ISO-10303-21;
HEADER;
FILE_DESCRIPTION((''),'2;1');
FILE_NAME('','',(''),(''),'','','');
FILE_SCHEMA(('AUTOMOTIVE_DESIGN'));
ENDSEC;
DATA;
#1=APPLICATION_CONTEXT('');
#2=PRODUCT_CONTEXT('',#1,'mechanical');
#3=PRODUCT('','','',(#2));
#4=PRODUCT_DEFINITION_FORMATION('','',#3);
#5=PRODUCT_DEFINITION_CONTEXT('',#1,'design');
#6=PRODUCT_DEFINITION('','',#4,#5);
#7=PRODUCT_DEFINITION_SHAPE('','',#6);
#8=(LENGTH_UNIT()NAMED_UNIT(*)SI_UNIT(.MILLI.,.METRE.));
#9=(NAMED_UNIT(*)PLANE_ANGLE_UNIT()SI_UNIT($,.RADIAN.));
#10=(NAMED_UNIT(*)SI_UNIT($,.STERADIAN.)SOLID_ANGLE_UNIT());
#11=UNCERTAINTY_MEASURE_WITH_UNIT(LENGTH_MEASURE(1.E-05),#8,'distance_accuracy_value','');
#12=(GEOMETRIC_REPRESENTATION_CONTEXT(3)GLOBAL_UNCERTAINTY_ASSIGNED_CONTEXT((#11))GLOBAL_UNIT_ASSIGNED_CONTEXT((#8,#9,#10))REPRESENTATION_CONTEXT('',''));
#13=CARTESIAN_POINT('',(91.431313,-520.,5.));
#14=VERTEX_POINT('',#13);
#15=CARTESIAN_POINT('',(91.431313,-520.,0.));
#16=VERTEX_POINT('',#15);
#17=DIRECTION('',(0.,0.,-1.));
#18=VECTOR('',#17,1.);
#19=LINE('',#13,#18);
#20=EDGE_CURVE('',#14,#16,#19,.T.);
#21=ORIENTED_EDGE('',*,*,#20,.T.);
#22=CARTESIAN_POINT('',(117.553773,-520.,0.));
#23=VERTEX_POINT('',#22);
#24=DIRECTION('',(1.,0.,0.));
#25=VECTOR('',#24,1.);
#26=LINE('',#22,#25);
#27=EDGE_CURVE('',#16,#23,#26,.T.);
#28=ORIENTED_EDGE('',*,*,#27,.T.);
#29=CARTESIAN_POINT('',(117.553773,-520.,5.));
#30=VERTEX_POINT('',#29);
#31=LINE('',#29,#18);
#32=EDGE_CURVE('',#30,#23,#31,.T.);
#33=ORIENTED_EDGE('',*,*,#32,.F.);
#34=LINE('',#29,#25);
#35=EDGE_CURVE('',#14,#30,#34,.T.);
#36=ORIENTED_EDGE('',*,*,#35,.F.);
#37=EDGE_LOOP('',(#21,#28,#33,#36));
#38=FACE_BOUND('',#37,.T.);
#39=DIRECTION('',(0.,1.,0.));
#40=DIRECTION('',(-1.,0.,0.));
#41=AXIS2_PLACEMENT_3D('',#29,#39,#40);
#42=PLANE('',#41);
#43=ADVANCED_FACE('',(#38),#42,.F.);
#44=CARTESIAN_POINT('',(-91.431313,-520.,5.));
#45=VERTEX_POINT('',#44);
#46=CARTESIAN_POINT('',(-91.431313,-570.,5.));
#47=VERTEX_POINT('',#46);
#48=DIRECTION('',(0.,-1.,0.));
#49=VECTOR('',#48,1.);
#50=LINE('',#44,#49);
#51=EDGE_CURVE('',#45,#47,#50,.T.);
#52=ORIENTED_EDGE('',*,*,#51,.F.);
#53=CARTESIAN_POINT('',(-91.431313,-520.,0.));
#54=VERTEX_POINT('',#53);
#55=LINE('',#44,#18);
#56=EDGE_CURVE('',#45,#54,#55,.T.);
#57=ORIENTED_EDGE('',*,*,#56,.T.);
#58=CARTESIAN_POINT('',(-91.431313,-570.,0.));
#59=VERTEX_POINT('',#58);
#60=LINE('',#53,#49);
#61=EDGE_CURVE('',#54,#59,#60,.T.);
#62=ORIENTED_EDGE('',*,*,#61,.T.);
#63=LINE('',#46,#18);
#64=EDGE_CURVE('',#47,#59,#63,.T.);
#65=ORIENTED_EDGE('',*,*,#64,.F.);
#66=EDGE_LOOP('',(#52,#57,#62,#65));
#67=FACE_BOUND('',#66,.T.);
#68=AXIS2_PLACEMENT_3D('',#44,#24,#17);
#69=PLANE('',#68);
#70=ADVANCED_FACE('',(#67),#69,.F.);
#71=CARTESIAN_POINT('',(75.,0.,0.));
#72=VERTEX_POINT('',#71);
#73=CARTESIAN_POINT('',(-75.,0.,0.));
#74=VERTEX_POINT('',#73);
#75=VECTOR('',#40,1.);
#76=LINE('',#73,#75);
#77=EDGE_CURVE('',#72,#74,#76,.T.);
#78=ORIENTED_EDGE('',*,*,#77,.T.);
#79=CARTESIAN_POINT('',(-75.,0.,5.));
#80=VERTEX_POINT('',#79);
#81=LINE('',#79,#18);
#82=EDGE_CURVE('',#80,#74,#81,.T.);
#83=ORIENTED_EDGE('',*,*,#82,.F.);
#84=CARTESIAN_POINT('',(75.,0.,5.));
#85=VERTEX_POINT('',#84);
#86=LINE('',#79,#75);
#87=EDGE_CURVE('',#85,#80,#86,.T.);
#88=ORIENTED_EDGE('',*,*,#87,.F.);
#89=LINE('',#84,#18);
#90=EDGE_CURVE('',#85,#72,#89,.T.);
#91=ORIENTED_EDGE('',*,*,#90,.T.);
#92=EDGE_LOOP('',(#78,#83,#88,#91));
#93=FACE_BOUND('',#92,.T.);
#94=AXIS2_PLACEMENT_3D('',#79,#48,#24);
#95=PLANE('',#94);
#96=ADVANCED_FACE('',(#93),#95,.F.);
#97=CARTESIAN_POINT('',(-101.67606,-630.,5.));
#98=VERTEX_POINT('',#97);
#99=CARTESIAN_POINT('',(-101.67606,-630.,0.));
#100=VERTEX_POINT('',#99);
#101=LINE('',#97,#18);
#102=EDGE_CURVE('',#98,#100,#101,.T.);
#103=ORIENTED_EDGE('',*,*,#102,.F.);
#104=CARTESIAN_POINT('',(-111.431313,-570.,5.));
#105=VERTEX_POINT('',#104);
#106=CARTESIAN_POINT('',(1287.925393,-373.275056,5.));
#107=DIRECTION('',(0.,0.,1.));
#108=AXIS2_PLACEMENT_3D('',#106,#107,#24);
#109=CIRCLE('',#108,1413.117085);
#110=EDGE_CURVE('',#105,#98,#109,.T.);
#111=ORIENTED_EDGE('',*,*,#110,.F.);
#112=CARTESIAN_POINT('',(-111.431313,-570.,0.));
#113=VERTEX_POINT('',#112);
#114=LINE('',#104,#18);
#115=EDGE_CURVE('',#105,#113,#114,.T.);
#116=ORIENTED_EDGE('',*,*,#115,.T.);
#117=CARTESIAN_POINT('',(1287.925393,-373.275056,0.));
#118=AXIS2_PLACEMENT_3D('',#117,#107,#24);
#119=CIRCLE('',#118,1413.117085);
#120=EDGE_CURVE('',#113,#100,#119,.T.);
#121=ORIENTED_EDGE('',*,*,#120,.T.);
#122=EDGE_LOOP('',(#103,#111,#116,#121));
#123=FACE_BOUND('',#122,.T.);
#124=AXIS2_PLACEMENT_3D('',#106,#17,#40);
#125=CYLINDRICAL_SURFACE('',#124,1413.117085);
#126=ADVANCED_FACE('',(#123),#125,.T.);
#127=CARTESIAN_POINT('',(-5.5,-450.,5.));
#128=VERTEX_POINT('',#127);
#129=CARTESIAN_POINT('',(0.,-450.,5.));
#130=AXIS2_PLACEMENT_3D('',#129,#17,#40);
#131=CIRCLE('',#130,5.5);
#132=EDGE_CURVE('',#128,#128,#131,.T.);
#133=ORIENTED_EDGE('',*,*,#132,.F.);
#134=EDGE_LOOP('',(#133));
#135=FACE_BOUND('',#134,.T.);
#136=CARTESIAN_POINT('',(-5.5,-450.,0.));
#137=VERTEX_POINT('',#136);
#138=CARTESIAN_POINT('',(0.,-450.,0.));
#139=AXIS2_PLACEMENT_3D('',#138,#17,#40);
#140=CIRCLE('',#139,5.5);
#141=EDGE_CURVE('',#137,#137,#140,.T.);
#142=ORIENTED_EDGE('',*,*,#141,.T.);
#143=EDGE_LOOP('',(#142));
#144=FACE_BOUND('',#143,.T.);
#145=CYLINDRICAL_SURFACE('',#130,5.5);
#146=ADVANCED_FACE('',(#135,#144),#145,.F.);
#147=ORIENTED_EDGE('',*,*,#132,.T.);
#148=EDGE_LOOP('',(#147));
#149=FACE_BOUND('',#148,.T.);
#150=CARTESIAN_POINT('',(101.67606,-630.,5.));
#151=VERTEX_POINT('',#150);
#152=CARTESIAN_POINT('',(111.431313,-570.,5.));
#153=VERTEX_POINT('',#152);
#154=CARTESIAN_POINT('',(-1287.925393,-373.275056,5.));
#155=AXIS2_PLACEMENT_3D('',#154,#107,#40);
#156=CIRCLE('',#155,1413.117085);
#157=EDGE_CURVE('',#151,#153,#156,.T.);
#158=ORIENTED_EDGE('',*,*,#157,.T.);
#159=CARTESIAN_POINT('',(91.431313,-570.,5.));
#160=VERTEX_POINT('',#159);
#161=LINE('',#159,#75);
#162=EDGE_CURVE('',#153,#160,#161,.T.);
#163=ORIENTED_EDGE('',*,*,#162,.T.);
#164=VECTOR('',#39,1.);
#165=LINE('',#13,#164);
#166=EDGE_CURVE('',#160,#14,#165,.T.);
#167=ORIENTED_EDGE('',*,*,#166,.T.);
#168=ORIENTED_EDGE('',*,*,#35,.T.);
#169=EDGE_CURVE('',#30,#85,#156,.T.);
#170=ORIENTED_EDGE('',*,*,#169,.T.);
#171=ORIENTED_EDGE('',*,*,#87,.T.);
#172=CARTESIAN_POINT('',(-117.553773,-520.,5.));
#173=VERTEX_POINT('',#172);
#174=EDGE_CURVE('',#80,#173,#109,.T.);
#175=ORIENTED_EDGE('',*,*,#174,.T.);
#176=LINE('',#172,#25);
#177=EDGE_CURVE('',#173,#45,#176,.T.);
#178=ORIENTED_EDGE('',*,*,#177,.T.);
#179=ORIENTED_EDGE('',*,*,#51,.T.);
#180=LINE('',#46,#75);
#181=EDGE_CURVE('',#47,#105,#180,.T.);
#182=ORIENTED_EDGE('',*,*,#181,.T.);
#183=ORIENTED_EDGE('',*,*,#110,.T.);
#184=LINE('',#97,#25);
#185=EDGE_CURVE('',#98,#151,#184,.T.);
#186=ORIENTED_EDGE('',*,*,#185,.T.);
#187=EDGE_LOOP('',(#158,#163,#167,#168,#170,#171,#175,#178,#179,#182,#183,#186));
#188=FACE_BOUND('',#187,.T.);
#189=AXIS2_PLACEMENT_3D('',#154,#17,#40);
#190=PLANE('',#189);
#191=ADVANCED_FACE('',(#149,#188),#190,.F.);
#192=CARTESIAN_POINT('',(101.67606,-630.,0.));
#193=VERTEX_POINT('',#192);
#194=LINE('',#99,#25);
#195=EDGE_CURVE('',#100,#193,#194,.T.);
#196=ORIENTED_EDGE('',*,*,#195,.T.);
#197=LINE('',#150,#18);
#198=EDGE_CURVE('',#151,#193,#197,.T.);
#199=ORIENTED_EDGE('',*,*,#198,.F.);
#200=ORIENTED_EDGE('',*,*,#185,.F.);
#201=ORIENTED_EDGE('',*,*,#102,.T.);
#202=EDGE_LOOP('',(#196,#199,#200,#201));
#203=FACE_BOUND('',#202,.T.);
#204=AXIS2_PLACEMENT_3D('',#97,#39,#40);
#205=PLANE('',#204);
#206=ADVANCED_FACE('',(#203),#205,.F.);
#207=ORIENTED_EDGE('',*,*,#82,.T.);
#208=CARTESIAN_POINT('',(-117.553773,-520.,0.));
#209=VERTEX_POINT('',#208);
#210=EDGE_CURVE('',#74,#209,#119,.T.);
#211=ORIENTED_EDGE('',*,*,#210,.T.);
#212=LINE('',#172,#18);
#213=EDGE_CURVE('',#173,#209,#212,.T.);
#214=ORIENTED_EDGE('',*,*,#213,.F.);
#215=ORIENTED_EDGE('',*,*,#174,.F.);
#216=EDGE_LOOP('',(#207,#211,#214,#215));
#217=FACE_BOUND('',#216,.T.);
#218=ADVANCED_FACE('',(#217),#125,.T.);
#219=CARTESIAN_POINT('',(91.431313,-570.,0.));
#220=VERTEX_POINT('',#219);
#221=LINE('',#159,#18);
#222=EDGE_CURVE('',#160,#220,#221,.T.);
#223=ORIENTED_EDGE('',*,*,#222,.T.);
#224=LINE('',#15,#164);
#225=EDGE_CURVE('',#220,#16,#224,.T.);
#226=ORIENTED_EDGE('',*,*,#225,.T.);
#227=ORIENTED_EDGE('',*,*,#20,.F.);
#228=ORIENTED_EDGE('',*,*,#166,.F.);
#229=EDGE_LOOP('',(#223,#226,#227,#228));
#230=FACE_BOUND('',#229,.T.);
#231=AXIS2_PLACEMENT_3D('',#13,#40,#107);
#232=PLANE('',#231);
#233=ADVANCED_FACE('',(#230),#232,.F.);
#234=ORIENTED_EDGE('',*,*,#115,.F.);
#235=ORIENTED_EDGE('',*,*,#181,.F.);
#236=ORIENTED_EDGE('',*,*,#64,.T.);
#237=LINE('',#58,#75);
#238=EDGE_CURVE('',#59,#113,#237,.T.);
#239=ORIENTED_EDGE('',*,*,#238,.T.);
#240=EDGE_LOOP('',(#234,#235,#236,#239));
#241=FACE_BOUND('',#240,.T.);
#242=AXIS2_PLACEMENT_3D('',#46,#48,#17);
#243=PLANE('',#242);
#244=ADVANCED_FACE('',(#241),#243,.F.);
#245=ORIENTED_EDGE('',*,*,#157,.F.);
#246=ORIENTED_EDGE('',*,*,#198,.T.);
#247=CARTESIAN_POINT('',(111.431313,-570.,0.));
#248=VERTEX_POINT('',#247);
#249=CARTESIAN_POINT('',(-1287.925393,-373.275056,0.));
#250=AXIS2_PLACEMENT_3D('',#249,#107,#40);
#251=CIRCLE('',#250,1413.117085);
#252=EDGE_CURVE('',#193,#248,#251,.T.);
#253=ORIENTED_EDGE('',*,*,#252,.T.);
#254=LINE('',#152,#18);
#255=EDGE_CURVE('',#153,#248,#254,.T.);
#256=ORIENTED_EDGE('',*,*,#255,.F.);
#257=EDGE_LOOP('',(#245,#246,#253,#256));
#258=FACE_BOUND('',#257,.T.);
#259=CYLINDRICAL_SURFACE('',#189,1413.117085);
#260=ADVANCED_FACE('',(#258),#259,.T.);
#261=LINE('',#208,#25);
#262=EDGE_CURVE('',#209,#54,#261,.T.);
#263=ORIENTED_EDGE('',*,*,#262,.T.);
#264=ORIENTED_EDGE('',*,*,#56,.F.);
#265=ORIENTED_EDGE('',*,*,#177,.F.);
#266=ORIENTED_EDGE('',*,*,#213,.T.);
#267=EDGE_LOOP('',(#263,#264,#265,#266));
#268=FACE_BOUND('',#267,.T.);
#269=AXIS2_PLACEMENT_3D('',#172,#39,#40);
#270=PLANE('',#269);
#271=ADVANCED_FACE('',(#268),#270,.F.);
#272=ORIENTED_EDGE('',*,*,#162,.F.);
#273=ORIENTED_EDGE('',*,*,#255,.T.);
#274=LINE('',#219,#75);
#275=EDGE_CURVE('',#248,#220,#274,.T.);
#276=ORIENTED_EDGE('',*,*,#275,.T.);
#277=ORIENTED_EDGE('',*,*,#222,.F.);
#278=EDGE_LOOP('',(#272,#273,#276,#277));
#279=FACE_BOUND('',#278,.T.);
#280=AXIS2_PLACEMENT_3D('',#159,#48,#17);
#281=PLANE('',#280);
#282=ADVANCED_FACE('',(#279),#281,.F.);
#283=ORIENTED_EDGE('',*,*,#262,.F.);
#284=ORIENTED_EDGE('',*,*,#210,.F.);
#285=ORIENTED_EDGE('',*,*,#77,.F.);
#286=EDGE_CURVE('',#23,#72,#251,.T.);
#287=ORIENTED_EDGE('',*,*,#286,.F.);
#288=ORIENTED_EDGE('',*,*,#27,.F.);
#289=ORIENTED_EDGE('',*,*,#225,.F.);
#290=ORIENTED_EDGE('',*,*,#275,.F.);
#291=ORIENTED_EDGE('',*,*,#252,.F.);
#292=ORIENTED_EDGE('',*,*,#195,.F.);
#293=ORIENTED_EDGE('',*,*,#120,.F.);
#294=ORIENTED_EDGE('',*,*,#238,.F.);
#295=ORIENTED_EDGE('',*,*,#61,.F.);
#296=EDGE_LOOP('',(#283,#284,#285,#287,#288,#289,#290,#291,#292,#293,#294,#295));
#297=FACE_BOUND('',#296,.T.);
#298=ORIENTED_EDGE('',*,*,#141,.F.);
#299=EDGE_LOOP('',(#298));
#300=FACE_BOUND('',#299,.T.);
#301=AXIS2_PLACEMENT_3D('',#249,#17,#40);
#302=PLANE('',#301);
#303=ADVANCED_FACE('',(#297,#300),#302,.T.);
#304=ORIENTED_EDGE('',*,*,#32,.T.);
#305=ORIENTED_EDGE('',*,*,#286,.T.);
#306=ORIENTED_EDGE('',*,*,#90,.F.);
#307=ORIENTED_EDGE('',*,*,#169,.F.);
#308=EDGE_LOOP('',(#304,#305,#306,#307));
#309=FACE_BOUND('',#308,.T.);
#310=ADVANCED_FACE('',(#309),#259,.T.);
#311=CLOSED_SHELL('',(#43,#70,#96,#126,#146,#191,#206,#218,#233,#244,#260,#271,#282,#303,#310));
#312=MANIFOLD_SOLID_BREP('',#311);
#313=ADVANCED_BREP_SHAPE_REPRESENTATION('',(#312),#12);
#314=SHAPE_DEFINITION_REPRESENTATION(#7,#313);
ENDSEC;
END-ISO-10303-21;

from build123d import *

# Parameters (mm, degrees)
BOSS_EXTRUDE1_DEPTH = 5
SKETCH3_R           = 5.5
CUT_EXTRUDE1_DEPTH  = 1008.818415992
SKETCH4_W           = 203.352119636
SKETCH4_H           = 409.958390473
CUT_EXTRUDE2_DEPTH  = 1008.818415992


with BuildPart() as part:
    # Sketch2 → Boss-Extrude1 (new body)
    with BuildSketch(Plane.XY):
        with BuildLine():
            Line((-75, 0), (75, 0))
            ThreePointArc((75, 0), (125.183748831, -378.01295639), (72.466338168, -755.680903745))
            Line((72.466338168, -755.680903745), (4.813443083, -996.353057902))
            ThreePointArc((4.813443083, -996.353057902), (3.01949586, -998.985303596), (0, -1000))
            ThreePointArc((0, -1000), (-3.01949586, -998.985303596), (-4.813443083, -996.353057902))
            Line((-4.813443083, -996.353057902), (-72.466338168, -755.680903745))
            ThreePointArc((-72.466338168, -755.680903745), (-125.183748831, -378.01295639), (-75, 0))
        make_face()
    extrude(amount=BOSS_EXTRUDE1_DEPTH)

    # Sketch3 → Cut-Extrude1 (cut, through all)
    with BuildSketch(Plane(origin=(0, 0, 0), x_dir=(-1, 0, 0), z_dir=(0, 0, -1))):
        with Locations((0, -450)):
            Circle(SKETCH3_R)
    extrude(amount=-CUT_EXTRUDE1_DEPTH, mode=Mode.SUBTRACT)

    # Sketch4 → Cut-Extrude2 (cut, through all)
    with BuildSketch(Plane(origin=(0, 0, 0), x_dir=(-1, 0, 0), z_dir=(0, 0, -1))):
        with BuildLine():
            Line((-117.553772729, -520), (-91.431313106, -520))
            Line((-91.431313106, -520), (-91.431313106, -570))
            Line((-91.431313106, -570), (-111.431313106, -570))
            ThreePointArc((-111.431313106, -570), (-125.443374502, -546.340920484), (-117.553772729, -520))
        make_face()
        with BuildLine():
            Line((117.553772729, -520), (91.431313106, -520))
            Line((91.431313106, -520), (91.431313106, -570))
            Line((91.431313106, -570), (111.431313106, -570))
            ThreePointArc((111.431313106, -570), (125.443374502, -546.340920484), (117.553772729, -520))
        make_face()
        with Locations((0, -834.979195237)):
            Rectangle(SKETCH4_W, SKETCH4_H)
    extrude(amount=-CUT_EXTRUDE2_DEPTH, mode=Mode.SUBTRACT)


solid = part.part
